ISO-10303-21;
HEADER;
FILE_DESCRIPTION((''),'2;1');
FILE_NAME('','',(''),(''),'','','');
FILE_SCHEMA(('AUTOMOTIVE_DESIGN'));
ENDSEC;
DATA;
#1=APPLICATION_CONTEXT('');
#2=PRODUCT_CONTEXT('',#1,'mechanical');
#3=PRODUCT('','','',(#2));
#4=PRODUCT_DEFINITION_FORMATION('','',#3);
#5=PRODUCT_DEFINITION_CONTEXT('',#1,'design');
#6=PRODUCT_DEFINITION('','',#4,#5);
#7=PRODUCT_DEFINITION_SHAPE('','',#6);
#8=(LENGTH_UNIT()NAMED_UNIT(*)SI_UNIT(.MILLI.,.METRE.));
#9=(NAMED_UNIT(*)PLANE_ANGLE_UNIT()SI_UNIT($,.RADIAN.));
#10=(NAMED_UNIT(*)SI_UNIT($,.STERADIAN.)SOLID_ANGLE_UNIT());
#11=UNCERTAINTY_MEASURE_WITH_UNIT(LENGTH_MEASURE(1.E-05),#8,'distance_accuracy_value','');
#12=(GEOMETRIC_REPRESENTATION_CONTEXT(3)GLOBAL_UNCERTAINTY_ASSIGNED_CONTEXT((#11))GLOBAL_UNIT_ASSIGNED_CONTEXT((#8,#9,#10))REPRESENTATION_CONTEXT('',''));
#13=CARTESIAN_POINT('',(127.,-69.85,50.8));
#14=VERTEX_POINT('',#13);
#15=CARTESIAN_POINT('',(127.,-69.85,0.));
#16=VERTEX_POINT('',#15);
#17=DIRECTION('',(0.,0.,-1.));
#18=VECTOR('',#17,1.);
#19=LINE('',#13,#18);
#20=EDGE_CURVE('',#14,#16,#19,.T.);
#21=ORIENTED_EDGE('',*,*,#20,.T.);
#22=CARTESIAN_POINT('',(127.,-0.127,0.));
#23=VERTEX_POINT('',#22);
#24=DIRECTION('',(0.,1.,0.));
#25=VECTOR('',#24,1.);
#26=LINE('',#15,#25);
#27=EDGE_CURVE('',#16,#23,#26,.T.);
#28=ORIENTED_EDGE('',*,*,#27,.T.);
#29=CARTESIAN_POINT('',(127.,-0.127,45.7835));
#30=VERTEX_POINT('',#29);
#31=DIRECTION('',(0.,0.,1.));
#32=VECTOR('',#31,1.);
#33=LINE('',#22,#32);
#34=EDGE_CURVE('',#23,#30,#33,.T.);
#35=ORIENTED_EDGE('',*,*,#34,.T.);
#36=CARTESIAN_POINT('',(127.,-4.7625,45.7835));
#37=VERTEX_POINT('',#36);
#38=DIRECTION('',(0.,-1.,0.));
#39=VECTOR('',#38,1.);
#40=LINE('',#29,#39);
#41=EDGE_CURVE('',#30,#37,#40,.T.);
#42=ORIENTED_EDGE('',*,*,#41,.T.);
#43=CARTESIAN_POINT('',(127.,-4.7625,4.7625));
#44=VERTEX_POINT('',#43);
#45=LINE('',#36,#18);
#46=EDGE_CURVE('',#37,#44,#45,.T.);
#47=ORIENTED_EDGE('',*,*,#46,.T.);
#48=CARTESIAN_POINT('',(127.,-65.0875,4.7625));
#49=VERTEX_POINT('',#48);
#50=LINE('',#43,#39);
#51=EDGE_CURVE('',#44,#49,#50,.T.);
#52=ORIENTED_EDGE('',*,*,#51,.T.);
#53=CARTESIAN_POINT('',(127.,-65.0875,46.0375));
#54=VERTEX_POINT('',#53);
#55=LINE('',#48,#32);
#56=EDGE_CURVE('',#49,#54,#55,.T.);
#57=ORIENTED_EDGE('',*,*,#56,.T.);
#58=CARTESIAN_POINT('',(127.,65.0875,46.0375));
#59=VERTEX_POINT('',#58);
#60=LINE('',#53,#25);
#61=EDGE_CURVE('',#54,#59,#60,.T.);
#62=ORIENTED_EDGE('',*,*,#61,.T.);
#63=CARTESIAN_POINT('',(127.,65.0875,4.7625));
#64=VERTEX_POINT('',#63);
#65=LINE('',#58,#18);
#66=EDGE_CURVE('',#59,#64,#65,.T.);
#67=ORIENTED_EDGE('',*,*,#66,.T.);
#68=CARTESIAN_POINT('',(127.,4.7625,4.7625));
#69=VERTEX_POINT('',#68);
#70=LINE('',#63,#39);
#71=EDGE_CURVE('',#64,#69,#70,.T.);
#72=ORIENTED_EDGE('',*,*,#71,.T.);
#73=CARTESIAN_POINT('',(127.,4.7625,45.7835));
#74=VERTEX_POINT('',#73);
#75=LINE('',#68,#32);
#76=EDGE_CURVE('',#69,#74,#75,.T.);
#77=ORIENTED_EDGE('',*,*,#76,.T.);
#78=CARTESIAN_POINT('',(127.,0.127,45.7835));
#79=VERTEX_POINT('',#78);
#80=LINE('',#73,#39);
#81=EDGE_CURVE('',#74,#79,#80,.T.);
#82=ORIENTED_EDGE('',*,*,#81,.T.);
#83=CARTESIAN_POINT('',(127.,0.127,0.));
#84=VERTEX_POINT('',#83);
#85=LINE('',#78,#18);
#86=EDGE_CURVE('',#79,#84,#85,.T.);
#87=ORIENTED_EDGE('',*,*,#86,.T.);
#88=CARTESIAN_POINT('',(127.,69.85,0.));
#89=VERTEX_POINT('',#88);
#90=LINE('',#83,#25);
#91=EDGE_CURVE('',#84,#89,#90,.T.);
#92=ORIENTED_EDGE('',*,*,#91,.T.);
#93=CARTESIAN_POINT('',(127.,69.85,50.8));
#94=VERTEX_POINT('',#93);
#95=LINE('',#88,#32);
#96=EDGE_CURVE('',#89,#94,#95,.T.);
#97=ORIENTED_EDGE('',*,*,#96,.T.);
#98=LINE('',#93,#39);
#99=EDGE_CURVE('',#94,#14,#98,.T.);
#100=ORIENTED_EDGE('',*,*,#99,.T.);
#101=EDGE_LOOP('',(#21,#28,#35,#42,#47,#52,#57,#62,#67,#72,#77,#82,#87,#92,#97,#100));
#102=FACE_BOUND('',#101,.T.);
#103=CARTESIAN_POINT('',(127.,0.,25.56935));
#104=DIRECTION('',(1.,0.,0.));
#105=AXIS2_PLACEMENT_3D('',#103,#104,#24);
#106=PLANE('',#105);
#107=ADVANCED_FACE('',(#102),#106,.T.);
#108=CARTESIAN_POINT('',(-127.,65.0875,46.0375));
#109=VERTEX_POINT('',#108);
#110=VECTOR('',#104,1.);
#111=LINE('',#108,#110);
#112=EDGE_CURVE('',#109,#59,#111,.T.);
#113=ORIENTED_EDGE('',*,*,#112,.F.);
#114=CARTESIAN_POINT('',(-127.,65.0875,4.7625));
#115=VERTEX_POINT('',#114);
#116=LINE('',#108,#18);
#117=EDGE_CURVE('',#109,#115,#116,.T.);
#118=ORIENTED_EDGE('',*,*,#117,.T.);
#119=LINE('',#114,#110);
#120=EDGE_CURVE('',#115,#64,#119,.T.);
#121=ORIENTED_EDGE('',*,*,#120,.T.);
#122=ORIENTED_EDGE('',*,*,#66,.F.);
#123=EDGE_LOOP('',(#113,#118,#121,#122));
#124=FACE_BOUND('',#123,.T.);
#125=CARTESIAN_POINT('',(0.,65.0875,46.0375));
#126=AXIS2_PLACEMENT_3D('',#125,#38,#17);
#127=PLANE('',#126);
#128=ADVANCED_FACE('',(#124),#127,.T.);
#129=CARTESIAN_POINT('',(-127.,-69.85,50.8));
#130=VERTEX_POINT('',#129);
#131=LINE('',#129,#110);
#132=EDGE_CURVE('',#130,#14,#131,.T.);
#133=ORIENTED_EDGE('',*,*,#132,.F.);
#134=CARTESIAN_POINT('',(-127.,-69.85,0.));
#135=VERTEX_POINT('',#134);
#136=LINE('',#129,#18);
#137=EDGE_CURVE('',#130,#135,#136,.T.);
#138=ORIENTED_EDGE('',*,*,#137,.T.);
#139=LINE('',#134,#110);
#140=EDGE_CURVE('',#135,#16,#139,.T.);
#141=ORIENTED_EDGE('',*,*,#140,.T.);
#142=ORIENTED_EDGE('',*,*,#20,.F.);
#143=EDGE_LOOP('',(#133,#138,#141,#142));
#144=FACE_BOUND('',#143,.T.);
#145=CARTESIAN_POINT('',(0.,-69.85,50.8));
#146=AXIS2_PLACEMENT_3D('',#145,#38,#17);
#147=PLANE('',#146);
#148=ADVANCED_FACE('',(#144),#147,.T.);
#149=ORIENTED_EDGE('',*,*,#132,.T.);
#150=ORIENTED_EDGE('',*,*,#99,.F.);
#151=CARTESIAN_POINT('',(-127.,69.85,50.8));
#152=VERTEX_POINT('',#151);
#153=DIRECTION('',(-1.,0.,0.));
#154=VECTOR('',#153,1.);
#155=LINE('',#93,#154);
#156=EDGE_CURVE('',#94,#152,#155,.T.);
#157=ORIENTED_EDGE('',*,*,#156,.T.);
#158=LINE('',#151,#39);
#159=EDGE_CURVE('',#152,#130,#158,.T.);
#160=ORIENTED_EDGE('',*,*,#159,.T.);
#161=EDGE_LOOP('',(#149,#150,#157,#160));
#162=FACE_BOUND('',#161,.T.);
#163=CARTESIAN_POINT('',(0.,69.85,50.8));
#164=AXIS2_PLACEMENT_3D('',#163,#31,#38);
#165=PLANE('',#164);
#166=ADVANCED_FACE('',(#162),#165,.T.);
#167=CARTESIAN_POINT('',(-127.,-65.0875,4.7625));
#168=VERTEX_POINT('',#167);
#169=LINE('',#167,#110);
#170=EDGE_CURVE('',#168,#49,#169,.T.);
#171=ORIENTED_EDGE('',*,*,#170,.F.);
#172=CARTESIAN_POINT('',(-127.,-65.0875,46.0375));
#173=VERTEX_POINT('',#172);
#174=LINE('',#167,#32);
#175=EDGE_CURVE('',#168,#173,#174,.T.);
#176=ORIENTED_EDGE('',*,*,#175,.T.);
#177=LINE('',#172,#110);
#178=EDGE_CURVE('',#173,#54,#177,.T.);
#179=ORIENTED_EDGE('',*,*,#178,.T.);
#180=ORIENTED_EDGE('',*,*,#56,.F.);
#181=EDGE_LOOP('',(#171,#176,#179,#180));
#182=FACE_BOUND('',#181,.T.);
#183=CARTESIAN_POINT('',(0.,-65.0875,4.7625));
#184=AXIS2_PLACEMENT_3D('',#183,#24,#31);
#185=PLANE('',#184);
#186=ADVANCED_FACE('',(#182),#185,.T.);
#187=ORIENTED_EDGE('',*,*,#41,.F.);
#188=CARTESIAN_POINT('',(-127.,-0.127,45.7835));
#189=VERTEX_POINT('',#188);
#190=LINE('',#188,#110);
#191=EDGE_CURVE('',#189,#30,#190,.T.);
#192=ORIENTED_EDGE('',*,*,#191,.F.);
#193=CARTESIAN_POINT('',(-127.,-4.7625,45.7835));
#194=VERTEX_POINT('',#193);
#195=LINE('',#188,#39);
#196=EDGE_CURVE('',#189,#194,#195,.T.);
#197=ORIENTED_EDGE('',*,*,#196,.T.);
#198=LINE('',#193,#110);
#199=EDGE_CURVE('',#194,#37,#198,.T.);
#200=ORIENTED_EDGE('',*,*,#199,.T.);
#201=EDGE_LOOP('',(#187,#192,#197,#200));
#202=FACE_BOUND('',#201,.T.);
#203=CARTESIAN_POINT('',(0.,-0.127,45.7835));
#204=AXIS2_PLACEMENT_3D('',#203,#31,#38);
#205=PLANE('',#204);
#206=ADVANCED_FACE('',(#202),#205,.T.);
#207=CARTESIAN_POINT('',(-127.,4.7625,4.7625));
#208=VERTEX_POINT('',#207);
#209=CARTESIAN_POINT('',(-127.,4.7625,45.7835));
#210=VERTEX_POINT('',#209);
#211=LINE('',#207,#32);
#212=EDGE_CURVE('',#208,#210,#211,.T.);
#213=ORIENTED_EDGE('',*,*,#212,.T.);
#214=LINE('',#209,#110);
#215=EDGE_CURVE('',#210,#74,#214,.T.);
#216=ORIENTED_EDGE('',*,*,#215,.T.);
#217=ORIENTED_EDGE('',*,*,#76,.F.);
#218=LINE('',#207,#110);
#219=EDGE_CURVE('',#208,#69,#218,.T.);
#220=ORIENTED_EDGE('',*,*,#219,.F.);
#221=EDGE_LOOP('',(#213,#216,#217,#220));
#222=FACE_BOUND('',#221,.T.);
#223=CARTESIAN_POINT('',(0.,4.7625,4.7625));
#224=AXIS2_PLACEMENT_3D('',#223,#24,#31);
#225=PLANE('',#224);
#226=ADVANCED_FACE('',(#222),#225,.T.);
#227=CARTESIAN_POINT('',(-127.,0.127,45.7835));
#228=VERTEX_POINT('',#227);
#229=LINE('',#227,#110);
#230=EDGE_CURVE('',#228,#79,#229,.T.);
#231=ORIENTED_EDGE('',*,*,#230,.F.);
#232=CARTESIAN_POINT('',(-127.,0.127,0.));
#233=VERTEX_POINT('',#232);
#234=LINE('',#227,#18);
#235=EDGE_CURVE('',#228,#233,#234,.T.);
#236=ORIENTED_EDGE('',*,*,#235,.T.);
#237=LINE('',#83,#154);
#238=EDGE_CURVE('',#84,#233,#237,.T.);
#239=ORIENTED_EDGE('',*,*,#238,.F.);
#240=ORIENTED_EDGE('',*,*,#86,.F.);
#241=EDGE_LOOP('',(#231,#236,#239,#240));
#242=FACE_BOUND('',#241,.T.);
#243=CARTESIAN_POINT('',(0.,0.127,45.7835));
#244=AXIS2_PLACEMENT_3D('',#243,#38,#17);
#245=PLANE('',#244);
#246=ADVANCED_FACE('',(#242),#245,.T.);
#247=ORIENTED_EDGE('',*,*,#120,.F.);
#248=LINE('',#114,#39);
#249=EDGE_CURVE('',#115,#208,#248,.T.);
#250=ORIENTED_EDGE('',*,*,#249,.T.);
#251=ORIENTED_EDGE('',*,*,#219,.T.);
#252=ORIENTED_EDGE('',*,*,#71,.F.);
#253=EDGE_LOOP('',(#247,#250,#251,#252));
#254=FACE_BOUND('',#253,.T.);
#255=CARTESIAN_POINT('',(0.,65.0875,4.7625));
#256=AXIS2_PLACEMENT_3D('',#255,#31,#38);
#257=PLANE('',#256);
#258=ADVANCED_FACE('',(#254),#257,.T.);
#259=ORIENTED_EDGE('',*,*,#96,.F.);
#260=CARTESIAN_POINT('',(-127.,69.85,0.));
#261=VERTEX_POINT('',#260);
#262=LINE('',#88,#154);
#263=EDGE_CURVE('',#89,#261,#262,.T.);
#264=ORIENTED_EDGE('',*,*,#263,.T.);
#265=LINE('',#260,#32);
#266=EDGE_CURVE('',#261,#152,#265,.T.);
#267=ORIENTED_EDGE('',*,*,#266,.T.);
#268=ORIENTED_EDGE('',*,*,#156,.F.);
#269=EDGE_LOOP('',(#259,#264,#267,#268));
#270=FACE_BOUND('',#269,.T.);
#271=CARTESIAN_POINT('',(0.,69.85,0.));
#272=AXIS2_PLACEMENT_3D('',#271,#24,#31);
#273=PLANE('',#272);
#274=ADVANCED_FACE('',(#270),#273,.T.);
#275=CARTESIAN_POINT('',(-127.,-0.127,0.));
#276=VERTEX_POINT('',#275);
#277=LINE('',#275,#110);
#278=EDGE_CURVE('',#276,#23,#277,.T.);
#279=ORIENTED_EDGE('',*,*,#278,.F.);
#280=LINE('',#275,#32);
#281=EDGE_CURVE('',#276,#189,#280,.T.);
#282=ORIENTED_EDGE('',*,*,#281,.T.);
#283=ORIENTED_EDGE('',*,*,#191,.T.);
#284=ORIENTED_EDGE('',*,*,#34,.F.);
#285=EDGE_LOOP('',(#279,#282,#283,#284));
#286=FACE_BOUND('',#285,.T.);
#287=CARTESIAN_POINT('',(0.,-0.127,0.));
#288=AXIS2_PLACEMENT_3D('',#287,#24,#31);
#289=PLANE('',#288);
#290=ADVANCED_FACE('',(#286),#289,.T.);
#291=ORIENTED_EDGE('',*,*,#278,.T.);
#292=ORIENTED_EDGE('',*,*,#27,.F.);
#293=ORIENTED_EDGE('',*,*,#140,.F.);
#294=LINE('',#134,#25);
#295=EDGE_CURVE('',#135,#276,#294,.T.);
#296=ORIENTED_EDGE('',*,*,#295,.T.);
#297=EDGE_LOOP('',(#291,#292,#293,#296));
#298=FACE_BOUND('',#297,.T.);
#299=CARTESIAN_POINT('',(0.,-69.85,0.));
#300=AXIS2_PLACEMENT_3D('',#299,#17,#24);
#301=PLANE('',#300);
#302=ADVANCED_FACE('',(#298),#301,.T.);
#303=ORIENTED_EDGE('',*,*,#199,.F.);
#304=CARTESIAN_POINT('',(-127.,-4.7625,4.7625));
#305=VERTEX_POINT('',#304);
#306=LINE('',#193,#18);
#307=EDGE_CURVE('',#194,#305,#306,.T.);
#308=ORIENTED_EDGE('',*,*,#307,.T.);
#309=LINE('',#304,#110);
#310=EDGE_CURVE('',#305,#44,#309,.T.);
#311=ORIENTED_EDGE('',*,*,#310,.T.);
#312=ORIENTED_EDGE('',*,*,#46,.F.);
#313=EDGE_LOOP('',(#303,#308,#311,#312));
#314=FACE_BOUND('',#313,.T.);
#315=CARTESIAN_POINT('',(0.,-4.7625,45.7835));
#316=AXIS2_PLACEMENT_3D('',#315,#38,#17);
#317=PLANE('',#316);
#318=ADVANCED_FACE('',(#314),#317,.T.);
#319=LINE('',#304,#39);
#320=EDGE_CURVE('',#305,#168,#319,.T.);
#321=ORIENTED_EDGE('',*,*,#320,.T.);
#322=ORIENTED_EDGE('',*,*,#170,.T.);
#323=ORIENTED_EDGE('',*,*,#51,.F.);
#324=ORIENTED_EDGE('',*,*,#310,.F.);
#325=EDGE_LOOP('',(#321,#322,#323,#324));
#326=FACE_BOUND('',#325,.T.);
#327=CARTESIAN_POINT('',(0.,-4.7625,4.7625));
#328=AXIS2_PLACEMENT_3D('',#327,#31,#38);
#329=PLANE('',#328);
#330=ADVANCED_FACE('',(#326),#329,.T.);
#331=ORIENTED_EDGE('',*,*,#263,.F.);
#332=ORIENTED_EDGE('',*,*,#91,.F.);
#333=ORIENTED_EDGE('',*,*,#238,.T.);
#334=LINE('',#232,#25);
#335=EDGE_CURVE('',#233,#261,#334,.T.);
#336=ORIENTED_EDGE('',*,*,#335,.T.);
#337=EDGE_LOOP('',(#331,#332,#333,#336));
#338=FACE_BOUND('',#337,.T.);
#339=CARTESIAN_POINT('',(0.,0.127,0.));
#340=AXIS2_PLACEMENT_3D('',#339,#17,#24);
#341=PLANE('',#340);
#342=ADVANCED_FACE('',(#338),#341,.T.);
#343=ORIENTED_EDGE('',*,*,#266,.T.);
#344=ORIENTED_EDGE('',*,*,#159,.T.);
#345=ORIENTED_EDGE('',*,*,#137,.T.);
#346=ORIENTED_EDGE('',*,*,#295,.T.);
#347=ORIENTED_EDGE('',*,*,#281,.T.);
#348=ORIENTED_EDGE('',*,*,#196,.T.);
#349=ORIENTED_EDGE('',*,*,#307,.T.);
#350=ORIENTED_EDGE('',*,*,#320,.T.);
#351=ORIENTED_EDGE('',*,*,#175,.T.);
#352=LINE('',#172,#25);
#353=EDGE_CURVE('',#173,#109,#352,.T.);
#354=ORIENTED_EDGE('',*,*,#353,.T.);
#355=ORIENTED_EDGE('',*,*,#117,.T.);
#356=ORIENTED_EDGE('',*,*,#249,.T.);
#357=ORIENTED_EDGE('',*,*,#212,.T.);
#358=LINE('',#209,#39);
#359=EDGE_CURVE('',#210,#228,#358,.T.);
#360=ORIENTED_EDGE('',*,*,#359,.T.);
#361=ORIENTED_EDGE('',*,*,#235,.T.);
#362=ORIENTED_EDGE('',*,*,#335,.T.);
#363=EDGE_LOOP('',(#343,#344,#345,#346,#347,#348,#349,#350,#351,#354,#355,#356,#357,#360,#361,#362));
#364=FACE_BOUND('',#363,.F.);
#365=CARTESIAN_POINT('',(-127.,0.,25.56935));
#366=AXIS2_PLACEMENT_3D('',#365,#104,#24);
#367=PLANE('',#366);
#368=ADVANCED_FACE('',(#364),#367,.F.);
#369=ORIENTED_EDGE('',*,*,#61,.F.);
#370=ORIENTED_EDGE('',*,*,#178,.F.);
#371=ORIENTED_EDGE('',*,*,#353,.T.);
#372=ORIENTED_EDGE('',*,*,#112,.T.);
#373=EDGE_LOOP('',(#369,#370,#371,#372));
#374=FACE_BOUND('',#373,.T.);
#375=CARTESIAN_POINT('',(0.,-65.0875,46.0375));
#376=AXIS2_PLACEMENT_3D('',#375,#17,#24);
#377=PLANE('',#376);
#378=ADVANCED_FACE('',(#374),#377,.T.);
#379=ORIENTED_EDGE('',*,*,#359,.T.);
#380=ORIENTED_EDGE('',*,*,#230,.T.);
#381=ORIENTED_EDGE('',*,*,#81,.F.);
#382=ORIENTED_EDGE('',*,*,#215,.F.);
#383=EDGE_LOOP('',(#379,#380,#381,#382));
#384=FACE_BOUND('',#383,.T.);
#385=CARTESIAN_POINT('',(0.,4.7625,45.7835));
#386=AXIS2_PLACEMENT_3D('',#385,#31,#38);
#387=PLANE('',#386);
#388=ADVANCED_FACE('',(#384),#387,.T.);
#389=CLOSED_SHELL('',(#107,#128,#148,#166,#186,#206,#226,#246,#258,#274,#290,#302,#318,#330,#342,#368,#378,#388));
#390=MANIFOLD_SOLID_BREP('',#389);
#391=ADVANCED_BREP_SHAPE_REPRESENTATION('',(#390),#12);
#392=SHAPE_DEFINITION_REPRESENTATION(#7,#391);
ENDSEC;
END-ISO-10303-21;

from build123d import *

# Parameters (mm, degrees)
F1_DEPTH = 127


with BuildPart() as f1:
    # F0 (on Right) → F1 (new body, symmetric)
    with BuildSketch(Plane.YZ):
        Polygon((69.85, 50.8), (-69.85, 50.8), (-69.85, 0), (-0.127, 0), (-0.127, 45.7835), (-4.7625, 45.7835), (-4.7625, 4.7625), (-65.0875, 4.7625), (-65.0875, 46.0375), (65.0875, 46.0375), (65.0875, 4.7625), (4.7625, 4.7625), (4.7625, 45.7835), (0.127, 45.7835), (0.127, 0), (69.85, 0), align=None)
    extrude(amount=F1_DEPTH, both=True)


solid = f1.part
